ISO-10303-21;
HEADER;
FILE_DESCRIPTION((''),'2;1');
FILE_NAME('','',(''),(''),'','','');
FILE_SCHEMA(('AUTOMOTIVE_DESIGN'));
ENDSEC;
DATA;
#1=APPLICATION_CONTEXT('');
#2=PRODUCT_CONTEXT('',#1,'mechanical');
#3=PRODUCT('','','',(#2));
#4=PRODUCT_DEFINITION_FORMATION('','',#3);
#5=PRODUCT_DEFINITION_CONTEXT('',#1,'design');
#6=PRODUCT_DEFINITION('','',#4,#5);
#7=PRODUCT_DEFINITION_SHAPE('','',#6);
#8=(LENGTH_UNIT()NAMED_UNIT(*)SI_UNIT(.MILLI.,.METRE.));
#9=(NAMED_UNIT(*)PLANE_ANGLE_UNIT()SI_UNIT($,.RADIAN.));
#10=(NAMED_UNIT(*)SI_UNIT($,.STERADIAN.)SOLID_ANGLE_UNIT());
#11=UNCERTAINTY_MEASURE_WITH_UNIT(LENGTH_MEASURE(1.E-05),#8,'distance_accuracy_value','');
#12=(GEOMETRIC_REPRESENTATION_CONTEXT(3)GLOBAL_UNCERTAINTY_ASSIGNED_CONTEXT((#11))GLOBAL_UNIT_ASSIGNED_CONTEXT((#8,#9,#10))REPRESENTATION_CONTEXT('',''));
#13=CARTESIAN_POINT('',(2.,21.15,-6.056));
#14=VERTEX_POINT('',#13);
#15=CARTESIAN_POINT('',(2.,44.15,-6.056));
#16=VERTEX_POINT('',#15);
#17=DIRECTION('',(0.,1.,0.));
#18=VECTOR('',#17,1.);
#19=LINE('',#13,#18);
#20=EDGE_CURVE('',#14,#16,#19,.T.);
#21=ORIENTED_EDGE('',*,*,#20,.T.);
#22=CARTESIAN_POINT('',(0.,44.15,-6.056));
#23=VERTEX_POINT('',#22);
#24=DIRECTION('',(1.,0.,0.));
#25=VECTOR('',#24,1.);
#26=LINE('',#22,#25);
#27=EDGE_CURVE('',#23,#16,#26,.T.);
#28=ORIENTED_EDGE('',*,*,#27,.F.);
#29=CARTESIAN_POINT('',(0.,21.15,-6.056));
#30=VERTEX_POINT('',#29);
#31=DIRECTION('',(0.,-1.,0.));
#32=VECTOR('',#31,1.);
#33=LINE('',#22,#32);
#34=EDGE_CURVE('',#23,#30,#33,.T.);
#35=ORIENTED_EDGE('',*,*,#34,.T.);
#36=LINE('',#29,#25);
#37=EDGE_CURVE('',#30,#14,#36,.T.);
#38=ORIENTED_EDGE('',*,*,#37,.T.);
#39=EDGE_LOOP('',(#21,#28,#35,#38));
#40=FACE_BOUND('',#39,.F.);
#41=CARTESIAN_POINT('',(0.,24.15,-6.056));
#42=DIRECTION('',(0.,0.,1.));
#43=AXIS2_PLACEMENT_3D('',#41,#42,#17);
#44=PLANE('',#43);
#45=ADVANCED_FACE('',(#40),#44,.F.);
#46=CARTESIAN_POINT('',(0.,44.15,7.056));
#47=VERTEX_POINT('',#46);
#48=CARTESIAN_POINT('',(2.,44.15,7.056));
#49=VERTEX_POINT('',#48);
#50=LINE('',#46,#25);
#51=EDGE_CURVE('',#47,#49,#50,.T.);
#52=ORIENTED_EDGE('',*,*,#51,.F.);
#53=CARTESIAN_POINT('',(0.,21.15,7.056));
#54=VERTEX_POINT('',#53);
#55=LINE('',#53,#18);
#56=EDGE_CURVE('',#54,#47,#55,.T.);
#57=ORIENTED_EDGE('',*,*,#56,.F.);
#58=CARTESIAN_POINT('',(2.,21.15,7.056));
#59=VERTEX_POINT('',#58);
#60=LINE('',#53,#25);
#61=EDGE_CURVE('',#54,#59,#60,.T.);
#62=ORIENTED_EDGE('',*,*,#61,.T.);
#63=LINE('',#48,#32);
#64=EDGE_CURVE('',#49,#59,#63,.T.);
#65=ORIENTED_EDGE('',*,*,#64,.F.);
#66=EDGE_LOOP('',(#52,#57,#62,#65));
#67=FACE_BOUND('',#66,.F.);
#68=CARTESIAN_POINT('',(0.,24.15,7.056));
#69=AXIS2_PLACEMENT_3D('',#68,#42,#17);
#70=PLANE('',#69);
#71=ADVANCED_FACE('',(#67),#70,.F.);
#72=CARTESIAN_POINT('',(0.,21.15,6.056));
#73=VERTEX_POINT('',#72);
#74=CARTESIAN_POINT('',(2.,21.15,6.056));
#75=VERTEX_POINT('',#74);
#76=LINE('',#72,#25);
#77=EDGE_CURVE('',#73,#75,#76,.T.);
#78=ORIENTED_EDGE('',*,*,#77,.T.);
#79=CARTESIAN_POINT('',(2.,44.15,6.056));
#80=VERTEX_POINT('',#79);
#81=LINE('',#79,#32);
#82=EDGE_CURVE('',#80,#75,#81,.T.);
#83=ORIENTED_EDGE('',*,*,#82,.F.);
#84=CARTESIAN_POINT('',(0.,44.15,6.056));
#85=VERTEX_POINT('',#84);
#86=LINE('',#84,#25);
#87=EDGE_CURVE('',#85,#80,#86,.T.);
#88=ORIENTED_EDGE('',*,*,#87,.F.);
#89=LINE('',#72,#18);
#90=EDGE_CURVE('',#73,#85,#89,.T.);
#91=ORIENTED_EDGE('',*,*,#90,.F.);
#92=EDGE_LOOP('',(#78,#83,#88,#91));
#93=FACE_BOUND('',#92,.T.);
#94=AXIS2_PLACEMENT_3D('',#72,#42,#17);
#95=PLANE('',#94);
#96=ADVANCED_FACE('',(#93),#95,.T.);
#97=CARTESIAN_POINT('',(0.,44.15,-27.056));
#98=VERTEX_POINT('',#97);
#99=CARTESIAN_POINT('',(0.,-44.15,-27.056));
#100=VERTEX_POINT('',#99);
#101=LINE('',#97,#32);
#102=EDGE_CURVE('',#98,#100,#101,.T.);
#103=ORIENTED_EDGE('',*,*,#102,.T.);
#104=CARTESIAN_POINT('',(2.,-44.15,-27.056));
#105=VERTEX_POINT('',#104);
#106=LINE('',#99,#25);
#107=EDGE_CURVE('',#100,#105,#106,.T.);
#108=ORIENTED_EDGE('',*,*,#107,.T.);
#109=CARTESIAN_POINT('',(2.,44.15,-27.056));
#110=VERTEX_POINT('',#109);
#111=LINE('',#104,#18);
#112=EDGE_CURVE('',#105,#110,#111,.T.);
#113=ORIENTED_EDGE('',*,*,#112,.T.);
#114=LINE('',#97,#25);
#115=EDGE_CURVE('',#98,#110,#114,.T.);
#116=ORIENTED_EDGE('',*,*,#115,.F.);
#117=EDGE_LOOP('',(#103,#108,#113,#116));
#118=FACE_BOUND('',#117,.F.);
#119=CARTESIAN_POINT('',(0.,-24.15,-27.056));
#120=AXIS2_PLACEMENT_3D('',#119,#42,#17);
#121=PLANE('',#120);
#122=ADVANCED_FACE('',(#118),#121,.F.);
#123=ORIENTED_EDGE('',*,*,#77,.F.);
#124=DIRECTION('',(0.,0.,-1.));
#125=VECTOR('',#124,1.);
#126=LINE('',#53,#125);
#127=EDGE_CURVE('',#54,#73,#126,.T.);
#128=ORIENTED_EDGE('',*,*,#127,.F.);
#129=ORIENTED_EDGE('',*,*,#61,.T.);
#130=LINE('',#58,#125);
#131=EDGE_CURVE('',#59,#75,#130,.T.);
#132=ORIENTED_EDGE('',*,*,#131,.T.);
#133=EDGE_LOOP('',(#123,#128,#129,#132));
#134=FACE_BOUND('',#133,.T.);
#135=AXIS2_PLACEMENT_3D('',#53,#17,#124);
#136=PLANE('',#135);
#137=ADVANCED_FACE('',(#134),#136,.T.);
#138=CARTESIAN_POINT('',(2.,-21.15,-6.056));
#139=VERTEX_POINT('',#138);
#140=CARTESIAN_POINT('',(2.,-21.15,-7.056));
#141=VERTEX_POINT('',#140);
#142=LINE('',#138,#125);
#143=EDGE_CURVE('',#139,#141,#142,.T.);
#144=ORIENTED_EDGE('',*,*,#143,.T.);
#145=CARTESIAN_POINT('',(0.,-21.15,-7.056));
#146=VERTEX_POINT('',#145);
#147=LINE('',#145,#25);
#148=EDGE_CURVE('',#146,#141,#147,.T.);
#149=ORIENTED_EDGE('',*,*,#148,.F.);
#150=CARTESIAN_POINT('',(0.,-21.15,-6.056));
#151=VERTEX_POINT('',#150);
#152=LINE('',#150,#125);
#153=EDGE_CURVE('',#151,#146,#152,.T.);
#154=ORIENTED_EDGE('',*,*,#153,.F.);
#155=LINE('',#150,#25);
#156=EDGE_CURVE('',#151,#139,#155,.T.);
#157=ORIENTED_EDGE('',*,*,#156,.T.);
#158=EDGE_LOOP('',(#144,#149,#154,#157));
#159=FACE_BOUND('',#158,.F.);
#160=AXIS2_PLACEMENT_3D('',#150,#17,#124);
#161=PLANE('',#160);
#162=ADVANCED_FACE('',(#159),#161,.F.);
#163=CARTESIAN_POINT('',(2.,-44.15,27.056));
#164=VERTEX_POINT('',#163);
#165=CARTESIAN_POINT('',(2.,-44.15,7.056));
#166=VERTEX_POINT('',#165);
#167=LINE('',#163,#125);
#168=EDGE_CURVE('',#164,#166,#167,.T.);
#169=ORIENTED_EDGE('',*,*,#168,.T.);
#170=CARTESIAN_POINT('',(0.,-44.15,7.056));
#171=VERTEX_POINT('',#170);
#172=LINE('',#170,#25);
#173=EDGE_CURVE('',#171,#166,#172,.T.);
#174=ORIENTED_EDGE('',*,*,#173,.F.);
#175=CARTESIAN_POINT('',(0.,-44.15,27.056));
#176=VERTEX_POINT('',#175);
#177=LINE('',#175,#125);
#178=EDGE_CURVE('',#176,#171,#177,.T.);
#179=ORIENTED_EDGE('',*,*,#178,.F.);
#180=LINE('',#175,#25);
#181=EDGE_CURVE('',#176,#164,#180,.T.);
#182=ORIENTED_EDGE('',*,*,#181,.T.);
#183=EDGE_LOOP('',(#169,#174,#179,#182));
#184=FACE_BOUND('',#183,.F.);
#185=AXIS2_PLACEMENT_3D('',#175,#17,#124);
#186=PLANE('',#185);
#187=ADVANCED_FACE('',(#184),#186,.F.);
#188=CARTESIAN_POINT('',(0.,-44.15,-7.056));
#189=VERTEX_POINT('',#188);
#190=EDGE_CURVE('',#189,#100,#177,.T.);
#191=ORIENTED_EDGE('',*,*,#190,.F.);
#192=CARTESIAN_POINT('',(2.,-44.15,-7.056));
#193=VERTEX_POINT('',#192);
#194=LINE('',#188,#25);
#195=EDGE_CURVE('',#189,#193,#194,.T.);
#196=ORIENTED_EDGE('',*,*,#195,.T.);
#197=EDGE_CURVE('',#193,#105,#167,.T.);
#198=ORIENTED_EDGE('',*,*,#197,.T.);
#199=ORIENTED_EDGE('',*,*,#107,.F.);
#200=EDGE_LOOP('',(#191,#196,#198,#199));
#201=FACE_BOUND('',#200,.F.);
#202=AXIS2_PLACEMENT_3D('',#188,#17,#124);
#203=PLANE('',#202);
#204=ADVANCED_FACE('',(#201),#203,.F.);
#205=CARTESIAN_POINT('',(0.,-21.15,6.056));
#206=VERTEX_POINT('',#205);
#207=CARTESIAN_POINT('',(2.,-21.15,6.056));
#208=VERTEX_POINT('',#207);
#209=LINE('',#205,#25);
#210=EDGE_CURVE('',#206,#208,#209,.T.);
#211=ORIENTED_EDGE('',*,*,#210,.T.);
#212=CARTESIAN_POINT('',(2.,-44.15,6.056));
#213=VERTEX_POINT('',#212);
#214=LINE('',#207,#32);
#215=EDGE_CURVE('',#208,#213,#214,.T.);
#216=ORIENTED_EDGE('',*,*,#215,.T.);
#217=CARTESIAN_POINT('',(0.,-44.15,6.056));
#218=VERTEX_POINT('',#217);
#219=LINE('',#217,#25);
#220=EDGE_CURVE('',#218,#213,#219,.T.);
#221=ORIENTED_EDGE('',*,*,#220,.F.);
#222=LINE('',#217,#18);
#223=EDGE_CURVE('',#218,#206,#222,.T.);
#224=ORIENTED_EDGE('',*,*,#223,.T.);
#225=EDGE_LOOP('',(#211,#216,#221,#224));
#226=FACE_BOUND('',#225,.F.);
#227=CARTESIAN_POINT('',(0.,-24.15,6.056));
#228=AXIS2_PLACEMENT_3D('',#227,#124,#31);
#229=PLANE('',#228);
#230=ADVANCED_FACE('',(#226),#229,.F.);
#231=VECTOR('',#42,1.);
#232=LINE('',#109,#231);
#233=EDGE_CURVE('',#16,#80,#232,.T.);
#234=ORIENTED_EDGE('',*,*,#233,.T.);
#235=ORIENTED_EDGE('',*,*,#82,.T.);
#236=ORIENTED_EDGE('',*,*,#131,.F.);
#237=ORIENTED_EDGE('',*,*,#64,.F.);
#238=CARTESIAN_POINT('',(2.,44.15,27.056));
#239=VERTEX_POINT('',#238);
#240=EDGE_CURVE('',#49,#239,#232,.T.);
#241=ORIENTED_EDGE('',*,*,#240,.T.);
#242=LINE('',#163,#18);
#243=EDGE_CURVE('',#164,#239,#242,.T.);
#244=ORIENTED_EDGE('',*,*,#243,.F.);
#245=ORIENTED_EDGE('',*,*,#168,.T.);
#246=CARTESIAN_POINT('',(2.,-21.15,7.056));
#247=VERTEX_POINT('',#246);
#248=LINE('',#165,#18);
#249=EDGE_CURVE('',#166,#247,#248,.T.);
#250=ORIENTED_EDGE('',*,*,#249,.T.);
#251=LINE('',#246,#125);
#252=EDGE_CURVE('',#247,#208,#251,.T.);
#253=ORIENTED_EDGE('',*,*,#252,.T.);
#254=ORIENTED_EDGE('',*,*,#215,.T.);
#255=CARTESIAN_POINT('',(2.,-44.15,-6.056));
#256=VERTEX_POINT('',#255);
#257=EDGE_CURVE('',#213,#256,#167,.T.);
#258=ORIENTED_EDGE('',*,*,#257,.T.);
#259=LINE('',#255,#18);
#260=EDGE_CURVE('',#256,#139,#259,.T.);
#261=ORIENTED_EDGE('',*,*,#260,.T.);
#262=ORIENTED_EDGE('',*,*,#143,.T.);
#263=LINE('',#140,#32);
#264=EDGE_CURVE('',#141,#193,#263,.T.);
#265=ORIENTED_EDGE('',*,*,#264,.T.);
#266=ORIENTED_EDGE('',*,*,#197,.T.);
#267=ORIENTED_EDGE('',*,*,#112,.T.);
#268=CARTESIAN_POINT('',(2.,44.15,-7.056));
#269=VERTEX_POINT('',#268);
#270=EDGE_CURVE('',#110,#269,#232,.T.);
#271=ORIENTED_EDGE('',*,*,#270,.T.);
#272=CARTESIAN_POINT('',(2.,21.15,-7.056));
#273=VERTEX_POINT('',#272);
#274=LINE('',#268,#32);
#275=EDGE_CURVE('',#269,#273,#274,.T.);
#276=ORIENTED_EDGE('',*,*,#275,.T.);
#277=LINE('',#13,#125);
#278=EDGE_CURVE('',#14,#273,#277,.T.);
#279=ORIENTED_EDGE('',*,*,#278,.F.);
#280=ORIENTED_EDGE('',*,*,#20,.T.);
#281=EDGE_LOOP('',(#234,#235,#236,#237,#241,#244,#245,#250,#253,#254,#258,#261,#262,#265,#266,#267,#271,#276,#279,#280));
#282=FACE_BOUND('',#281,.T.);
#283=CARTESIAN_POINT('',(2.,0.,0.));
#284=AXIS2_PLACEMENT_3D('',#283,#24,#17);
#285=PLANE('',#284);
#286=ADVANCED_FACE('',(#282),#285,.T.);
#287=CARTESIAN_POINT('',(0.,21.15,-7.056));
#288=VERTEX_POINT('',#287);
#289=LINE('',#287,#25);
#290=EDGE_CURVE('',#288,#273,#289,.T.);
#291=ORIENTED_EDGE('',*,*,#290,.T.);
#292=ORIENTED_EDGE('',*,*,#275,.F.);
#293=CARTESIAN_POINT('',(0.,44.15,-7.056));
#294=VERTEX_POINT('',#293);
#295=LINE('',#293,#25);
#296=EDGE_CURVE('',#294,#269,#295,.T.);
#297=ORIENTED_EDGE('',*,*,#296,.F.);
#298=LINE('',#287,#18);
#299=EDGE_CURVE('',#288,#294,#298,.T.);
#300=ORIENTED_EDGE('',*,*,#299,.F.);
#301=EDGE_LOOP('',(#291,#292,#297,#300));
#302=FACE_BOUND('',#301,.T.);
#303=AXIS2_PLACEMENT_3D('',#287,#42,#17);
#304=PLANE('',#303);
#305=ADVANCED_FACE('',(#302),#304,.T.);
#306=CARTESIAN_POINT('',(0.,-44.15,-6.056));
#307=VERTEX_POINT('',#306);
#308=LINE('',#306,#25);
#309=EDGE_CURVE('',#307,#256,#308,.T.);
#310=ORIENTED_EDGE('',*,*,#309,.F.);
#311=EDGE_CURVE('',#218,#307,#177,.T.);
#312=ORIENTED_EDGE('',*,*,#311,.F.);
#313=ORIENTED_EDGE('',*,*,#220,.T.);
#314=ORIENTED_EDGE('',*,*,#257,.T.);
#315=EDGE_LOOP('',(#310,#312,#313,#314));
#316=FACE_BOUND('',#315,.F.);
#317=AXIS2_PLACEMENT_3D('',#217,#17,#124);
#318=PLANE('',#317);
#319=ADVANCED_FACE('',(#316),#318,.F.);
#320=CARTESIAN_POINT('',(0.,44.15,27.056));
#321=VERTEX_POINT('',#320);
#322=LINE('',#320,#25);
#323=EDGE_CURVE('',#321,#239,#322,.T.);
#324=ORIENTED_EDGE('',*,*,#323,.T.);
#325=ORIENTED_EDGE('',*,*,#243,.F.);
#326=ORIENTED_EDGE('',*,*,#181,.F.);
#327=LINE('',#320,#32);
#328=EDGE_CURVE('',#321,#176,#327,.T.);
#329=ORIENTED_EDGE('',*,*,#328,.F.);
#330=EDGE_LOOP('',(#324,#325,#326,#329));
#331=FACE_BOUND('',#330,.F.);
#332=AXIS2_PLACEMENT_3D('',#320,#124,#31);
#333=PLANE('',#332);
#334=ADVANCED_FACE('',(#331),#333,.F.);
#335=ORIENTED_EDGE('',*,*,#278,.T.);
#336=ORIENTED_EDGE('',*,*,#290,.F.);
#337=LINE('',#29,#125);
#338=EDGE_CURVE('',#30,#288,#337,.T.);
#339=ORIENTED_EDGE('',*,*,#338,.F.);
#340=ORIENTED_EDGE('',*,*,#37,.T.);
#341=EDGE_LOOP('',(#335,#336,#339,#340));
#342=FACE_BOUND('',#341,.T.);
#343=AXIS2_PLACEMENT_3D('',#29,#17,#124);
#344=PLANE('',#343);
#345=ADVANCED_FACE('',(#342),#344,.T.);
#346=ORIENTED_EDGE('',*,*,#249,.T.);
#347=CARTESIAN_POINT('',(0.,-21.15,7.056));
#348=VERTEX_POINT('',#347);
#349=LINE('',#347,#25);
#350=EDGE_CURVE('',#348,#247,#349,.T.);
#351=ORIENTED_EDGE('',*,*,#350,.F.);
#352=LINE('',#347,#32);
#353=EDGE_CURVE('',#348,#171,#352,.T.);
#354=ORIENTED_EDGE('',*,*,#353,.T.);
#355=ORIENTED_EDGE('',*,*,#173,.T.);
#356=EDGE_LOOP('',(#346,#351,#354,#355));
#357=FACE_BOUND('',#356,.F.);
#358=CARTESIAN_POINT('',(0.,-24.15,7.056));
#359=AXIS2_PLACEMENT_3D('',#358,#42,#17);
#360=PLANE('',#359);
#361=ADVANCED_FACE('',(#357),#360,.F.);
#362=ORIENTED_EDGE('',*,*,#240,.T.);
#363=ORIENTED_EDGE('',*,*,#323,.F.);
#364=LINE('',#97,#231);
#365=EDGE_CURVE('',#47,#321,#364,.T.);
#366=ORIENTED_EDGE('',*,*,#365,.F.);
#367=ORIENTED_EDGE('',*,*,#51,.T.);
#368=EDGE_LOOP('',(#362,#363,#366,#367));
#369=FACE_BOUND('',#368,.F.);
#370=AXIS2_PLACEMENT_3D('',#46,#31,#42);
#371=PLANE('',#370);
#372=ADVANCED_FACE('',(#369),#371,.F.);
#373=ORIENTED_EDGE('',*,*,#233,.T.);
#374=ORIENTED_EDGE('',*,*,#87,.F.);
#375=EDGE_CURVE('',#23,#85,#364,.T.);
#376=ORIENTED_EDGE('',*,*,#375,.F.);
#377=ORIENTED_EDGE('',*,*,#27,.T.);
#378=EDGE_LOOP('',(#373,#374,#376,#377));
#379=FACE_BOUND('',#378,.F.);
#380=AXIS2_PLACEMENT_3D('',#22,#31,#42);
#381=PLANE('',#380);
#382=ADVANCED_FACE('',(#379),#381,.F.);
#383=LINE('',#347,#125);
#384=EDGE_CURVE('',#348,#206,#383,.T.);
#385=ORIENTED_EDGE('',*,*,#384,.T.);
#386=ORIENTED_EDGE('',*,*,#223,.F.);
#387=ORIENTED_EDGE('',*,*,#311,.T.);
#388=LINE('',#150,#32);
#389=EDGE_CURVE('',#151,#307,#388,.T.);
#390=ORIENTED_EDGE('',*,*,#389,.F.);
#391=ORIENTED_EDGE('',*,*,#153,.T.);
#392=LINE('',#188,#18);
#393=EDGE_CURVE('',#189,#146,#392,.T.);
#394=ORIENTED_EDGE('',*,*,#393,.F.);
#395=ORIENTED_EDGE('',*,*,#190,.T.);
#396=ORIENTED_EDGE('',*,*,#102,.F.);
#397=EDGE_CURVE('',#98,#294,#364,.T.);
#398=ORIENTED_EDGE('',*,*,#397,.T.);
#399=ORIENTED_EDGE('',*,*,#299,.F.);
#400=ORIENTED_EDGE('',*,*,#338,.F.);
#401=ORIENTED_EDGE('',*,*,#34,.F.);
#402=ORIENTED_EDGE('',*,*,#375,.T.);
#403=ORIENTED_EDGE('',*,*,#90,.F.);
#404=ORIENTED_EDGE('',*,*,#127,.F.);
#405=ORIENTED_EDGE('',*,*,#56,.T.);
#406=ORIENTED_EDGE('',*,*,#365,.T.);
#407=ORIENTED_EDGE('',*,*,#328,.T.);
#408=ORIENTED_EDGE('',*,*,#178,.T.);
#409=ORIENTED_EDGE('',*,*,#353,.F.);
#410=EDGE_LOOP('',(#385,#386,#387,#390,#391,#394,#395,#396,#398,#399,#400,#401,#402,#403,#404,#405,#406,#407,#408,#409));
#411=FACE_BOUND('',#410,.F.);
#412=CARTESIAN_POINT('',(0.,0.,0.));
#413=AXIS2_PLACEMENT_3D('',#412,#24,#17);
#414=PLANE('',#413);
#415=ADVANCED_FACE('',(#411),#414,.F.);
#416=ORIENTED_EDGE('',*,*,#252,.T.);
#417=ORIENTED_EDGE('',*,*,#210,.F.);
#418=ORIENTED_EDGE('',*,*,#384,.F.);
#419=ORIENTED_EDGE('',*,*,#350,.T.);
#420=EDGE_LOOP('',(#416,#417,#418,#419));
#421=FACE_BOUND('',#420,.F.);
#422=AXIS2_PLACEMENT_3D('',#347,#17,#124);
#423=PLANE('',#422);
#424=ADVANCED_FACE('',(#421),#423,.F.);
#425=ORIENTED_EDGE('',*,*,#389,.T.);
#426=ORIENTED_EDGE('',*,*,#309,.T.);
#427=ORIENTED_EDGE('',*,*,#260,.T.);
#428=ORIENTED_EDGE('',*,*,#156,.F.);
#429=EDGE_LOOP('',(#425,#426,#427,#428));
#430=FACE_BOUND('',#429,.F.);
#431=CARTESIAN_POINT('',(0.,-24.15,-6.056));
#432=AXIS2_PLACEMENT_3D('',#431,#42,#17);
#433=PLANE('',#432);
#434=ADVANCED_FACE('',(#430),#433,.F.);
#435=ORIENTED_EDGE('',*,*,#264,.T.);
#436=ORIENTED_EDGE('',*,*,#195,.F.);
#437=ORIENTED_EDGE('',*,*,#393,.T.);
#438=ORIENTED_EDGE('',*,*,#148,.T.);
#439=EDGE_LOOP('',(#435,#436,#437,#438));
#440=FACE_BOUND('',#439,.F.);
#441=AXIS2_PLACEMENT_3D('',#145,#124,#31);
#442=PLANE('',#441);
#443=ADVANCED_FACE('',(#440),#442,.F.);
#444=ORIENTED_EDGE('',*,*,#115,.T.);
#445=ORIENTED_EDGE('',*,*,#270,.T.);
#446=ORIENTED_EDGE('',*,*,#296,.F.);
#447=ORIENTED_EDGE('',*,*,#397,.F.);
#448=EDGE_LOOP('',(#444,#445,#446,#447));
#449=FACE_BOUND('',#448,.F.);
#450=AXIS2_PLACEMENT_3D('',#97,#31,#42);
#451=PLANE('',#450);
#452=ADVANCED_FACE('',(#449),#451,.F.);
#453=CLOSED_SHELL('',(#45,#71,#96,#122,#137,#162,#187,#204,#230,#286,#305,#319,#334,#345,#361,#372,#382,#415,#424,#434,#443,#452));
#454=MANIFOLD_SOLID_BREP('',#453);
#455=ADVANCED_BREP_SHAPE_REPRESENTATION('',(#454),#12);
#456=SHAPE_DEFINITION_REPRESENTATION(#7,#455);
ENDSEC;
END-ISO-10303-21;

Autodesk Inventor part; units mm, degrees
ref_plane "YZ Plane" through (0, 0, 0) normal (1, 0, 0) x (0, 1, 0)
ref_plane "XZ Plane" through (0, 0, 0) normal (0, 1, 0) x (-1, 0, 0)
ref_plane "XY Plane" through (0, 0, 0) normal (0, 0, 1) x (1, 0, 0)
sketch "Sketch1" plane through (0, 0, 0) normal (1, 0, 0) x (0, 1, 0)
  line L0 (44.15, 27.056) -> (-44.15, 27.056)
  line L1 (-44.15, 27.056) -> (-44.15, -27.056)
  line L2 (-44.15, -27.056) -> (44.15, -27.056)
  line L3 (44.15, -27.056) -> (44.15, 27.056)
  line L4 (44.15, 27.056) -> (-44.15, -27.056) construction
  line L5 (-44.15, 27.056) -> (44.15, -27.056) construction
  line L6 (44.15, 27.056) -> (24.15, 27.056)
  line L7 (24.15, 27.056) -> (24.15, 7.056)
  line L8 (24.15, 7.056) -> (44.15, 7.056)
  line L9 (44.15, 7.056) -> (44.15, 27.056)
  line L10 (24.15, 7.056) -> (24.15, 6.056)
  line L11 (24.15, 6.056) -> (44.15, 6.056)
  line L12 (44.15, -27.056) -> (24.15, -27.056)
  line L13 (24.15, -27.056) -> (24.15, -7.056)
  line L14 (24.15, -7.056) -> (44.15, -7.056)
  line L15 (44.15, -7.056) -> (44.15, -27.056)
  line L16 (24.15, -7.056) -> (24.15, -6.056)
  line L17 (24.15, -6.056) -> (44.15, -6.056)
  line L18 (-44.15, 27.056) -> (-24.15, 27.056)
  line L19 (-24.15, 27.056) -> (-24.15, 7.056)
  line L20 (-24.15, 7.056) -> (-44.15, 7.056)
  line L21 (-44.15, 7.056) -> (-44.15, 27.056)
  line L22 (-44.15, -27.056) -> (-24.15, -27.056)
  line L23 (-24.15, -27.056) -> (-24.15, -7.056)
  line L24 (-24.15, -7.056) -> (-44.15, -7.056)
  line L25 (-44.15, -7.056) -> (-44.15, -27.056)
  line L26 (-24.15, 7.056) -> (-24.15, 6.056)
  line L27 (-24.15, 6.056) -> (-44.15, 6.056)
  line L28 (-24.15, -7.056) -> (-24.15, -6.056)
  line L29 (-24.15, -6.056) -> (-44.15, -6.056)
  line L30 (24.15, 7.056) -> (21.15, 7.056)
  line L31 (21.15, 7.056) -> (21.15, 6.056)
  line L32 (21.15, 6.056) -> (24.15, 6.056)
  line L33 (24.15, 6.056) -> (24.15, 7.056)
  line L34 (24.15, -6.056) -> (21.15, -6.056)
  line L35 (21.15, -6.056) -> (21.15, -7.056)
  line L36 (21.15, -7.056) -> (24.15, -7.056)
  line L37 (24.15, -7.056) -> (24.15, -6.056)
  line L38 (-24.15, -6.056) -> (-21.15, -6.056)
  line L39 (-21.15, -6.056) -> (-21.15, -7.056)
  line L40 (-21.15, -7.056) -> (-24.15, -7.056)
  line L41 (-24.15, -7.056) -> (-24.15, -6.056)
  line L42 (-24.15, 7.056) -> (-21.15, 7.056)
  line L43 (-21.15, 7.056) -> (-21.15, 6.056)
  line L44 (-21.15, 6.056) -> (-24.15, 6.056)
  line L45 (-24.15, 6.056) -> (-24.15, 7.056)
  point P0 (0, 0)
  point P1 (0, 0)
  dimension "d0" = 88.3
  dimension "d1" = 54.112
  dimension "d2" = 20
  dimension "d3" = 20
  dimension "d4" = 1
  dimension "d5" = 20
  dimension "d6" = 20
  dimension "d7" = 1
  dimension "d8" = 20
  dimension "d9" = 20
  dimension "d10" = 20
  dimension "d11" = 20
  dimension "d12" = 1
  dimension "d13" = 1
  dimension "d14" = 3
  dimension "d15" = 3
  dimension "d16" = 3
  dimension "d17" = 3
extrude "Extrusion1" add sketch "Sketch1" along normal blind 2 contours L3 L8 L7 L0 | L7 L30 L31 L32 L11 L3 L17 L34 L35 L36 L13 L2 L23 L40 L39 L38 L29 L1 L27 L44 L43 L42 L19 L0 | L19 L20 L1 L0 | L3 L2 L13 L14 | L24 L23 L2 L1
properties part number "4x2020_raw"
